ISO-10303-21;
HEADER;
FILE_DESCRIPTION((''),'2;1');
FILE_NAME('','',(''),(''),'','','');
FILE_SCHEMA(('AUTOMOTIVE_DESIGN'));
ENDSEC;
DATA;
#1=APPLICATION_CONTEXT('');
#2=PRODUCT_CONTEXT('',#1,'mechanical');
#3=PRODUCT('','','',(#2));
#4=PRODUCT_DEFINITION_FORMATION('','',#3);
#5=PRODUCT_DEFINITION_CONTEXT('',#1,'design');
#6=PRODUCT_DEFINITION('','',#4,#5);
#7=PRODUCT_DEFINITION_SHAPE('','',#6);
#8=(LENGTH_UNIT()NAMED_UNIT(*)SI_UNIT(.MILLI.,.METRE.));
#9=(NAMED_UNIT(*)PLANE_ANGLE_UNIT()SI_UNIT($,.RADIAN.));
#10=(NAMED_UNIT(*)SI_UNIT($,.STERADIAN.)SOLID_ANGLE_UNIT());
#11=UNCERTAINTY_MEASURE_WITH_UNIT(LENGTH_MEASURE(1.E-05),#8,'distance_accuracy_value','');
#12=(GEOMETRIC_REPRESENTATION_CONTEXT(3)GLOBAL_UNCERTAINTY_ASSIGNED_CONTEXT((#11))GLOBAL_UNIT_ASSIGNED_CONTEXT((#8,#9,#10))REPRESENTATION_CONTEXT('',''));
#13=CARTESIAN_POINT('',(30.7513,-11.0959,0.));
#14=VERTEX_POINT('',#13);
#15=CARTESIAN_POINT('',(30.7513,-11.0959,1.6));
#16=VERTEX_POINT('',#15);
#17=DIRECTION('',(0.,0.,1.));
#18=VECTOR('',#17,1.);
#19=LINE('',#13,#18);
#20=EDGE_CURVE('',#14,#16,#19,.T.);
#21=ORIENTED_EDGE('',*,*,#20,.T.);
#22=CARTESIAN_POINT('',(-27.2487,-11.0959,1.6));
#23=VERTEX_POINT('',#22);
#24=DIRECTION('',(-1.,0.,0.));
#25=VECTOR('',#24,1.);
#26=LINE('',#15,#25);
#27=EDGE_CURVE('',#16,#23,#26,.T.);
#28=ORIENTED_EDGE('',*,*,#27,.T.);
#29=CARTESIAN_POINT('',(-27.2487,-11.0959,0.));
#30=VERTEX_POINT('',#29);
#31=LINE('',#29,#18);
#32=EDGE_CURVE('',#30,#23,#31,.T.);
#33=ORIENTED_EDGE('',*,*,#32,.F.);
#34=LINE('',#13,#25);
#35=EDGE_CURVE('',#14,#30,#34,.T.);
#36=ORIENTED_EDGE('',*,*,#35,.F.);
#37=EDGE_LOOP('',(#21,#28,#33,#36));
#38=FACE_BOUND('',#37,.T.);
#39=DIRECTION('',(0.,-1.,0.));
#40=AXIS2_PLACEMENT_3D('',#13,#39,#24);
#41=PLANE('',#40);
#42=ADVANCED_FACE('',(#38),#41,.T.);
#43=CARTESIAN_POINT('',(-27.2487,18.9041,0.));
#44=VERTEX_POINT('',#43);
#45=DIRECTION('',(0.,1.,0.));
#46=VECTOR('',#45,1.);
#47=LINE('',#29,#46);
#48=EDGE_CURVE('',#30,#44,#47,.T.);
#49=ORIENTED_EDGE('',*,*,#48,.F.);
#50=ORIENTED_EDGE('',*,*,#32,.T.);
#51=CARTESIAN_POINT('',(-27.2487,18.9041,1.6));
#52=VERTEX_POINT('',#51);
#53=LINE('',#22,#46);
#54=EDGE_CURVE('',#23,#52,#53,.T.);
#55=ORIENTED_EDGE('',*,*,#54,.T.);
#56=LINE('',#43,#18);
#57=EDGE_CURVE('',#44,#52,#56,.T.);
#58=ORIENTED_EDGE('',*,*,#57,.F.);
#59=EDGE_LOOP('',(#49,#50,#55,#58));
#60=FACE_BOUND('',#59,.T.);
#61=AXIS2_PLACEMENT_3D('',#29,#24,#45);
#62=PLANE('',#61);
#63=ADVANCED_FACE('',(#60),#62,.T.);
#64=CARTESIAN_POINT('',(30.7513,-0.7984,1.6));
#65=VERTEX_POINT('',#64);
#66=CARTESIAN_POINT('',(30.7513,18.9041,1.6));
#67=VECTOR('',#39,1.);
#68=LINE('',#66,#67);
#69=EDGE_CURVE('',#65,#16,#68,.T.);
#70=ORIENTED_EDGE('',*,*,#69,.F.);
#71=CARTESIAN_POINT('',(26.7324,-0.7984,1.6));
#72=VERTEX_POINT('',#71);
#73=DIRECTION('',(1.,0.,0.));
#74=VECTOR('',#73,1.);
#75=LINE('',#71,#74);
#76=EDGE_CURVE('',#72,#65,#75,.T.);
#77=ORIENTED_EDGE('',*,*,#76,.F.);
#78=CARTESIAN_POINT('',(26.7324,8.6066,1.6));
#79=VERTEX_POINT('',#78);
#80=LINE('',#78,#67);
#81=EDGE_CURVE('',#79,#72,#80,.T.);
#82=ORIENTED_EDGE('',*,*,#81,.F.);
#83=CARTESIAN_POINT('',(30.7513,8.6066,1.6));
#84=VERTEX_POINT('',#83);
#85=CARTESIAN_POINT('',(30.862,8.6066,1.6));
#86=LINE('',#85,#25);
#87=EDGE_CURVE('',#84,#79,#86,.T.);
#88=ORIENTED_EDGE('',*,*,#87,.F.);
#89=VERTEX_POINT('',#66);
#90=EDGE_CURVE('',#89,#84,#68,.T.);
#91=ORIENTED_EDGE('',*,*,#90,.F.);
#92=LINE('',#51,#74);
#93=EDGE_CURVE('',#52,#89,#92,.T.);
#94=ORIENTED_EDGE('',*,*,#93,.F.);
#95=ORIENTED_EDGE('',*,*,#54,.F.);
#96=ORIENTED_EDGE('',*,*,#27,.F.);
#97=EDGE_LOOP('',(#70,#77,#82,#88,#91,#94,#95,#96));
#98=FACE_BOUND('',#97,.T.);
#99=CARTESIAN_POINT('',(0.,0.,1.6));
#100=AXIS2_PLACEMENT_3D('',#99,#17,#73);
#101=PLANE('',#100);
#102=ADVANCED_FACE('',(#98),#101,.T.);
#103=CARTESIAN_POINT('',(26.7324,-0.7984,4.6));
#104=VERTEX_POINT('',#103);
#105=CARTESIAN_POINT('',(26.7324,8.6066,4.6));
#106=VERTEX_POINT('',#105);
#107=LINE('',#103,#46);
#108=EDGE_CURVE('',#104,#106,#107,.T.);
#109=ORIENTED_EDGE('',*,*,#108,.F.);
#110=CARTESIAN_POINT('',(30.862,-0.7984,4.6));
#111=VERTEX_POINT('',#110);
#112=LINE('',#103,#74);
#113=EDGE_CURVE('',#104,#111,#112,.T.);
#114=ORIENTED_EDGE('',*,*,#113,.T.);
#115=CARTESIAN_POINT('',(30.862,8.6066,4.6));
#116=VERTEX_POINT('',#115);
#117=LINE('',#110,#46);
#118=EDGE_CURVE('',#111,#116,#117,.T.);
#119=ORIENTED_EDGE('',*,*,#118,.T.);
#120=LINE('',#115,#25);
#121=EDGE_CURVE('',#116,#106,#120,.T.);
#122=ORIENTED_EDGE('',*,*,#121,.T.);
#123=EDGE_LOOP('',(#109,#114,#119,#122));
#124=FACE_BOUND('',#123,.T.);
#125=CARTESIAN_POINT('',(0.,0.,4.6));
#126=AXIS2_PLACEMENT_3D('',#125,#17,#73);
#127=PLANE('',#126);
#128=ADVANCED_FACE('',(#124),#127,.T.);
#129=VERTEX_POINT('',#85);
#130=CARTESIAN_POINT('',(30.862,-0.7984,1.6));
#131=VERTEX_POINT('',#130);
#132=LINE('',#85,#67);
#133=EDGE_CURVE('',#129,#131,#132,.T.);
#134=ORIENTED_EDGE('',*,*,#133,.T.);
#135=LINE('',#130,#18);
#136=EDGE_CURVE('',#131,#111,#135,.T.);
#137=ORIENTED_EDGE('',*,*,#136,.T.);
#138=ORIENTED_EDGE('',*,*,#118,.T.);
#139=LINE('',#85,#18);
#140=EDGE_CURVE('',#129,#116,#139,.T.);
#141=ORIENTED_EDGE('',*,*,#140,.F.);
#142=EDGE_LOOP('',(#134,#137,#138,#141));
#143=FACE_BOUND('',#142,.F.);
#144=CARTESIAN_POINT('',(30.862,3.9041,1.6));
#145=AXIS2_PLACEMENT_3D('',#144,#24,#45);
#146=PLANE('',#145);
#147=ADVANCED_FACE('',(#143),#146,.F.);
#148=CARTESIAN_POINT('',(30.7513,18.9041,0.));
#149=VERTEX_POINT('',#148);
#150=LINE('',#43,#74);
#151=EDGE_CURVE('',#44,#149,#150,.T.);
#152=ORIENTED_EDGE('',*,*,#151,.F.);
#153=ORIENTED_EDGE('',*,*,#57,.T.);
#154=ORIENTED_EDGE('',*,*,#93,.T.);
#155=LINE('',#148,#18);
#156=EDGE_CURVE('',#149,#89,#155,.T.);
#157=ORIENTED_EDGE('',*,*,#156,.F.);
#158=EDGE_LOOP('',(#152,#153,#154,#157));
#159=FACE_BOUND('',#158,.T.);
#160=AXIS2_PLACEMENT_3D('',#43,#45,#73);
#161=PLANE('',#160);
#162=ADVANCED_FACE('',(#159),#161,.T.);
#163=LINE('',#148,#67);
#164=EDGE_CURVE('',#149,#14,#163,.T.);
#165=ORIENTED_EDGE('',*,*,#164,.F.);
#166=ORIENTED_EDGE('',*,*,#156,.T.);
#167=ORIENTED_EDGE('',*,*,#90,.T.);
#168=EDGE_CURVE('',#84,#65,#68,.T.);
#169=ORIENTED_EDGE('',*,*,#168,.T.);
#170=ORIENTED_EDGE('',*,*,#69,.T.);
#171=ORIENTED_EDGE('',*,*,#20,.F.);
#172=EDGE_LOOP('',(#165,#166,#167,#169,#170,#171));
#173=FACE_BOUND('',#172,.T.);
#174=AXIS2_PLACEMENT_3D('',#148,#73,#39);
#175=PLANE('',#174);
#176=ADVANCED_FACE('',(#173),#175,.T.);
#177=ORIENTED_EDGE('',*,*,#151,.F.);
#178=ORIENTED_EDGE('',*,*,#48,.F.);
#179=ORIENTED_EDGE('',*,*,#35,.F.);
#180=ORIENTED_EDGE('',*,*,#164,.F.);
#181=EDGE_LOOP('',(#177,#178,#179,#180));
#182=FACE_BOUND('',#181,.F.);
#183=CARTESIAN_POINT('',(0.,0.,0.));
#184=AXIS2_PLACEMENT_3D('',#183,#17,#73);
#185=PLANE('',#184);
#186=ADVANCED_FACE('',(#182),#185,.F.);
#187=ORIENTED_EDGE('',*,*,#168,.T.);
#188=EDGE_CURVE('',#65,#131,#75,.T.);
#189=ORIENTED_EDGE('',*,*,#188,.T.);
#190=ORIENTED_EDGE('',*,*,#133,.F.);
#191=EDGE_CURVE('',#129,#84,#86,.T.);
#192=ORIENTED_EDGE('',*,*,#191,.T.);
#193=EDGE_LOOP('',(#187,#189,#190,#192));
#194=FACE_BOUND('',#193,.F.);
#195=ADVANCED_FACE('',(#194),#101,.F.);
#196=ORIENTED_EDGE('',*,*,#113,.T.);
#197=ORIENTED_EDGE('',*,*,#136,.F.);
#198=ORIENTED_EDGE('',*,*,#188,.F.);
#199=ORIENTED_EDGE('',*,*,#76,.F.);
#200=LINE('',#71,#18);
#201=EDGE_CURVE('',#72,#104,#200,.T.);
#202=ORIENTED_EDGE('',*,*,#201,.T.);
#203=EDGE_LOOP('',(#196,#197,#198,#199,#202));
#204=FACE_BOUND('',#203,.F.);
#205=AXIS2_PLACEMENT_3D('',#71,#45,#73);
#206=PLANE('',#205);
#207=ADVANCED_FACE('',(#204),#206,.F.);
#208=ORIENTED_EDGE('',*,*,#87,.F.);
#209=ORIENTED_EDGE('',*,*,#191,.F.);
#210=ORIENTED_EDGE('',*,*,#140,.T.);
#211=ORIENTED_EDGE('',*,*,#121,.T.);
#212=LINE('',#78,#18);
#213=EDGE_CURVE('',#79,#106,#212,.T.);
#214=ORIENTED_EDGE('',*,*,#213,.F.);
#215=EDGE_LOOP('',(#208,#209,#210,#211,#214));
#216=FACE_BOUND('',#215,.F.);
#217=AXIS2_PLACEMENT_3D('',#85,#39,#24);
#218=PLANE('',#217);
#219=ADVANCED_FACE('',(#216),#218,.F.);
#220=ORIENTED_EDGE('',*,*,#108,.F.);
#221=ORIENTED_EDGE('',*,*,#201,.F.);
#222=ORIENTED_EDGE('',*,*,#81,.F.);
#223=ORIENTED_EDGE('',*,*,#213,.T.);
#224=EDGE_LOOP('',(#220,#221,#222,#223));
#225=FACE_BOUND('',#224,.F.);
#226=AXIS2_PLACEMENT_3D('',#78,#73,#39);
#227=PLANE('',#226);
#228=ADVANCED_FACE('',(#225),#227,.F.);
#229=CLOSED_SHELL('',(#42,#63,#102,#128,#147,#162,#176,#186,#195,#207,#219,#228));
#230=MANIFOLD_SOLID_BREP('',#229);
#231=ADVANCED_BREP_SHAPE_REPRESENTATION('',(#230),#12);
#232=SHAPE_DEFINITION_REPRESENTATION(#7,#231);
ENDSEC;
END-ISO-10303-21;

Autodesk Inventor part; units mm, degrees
ref_plane "YZ Plane" through (0, 0, 0) normal (1, 0, 0) x (0, 1, 0)
ref_plane "XZ Plane" through (0, 0, 0) normal (0, 1, 0) x (-1, 0, 0)
ref_plane "XY Plane" through (0, 0, 0) normal (0, 0, 1) x (1, 0, 0)
sketch "Sketch1" plane through (0, 0, 0) normal (0, 0, 1) x (1, 0, 0)
  line L0 (-27.2487, 18.9041) -> (30.7513, 18.9041)
  line L1 (30.7513, 18.9041) -> (30.7513, -11.0959)
  line L2 (30.7513, -11.0959) -> (-27.2487, -11.0959)
  line L3 (-27.2487, -11.0959) -> (-27.2487, 18.9041)
  point P0 (0, 0)
  dimension "d0" = 58
  dimension "d1" = 30
extrude "Extrusion1" add sketch "Sketch1" along normal blind 1.6
sketch "Sketch2" plane through (0, 0, 1.6) normal (0, 0, 1) x (1, 0, 0)
  line L0 (-27.2487, 18.9041) -> (-27.2487, -11.0959) projected
  line L1 (-33.3397, 3.9041) -> (37.3042, 3.9041)
  line L2 (30.862, 8.6066) -> (26.7324, 8.6066)
  line L3 (26.7324, 8.6066) -> (26.7324, -0.7984)
  line L4 (26.7324, -0.7984) -> (30.862, -0.7984)
  line L5 (30.862, -0.7984) -> (30.862, 8.6066)
  point P0 (0, 0)
extrude "Extrusion2" add sketch "Sketch2" along normal blind 3
properties part number "ESP"
